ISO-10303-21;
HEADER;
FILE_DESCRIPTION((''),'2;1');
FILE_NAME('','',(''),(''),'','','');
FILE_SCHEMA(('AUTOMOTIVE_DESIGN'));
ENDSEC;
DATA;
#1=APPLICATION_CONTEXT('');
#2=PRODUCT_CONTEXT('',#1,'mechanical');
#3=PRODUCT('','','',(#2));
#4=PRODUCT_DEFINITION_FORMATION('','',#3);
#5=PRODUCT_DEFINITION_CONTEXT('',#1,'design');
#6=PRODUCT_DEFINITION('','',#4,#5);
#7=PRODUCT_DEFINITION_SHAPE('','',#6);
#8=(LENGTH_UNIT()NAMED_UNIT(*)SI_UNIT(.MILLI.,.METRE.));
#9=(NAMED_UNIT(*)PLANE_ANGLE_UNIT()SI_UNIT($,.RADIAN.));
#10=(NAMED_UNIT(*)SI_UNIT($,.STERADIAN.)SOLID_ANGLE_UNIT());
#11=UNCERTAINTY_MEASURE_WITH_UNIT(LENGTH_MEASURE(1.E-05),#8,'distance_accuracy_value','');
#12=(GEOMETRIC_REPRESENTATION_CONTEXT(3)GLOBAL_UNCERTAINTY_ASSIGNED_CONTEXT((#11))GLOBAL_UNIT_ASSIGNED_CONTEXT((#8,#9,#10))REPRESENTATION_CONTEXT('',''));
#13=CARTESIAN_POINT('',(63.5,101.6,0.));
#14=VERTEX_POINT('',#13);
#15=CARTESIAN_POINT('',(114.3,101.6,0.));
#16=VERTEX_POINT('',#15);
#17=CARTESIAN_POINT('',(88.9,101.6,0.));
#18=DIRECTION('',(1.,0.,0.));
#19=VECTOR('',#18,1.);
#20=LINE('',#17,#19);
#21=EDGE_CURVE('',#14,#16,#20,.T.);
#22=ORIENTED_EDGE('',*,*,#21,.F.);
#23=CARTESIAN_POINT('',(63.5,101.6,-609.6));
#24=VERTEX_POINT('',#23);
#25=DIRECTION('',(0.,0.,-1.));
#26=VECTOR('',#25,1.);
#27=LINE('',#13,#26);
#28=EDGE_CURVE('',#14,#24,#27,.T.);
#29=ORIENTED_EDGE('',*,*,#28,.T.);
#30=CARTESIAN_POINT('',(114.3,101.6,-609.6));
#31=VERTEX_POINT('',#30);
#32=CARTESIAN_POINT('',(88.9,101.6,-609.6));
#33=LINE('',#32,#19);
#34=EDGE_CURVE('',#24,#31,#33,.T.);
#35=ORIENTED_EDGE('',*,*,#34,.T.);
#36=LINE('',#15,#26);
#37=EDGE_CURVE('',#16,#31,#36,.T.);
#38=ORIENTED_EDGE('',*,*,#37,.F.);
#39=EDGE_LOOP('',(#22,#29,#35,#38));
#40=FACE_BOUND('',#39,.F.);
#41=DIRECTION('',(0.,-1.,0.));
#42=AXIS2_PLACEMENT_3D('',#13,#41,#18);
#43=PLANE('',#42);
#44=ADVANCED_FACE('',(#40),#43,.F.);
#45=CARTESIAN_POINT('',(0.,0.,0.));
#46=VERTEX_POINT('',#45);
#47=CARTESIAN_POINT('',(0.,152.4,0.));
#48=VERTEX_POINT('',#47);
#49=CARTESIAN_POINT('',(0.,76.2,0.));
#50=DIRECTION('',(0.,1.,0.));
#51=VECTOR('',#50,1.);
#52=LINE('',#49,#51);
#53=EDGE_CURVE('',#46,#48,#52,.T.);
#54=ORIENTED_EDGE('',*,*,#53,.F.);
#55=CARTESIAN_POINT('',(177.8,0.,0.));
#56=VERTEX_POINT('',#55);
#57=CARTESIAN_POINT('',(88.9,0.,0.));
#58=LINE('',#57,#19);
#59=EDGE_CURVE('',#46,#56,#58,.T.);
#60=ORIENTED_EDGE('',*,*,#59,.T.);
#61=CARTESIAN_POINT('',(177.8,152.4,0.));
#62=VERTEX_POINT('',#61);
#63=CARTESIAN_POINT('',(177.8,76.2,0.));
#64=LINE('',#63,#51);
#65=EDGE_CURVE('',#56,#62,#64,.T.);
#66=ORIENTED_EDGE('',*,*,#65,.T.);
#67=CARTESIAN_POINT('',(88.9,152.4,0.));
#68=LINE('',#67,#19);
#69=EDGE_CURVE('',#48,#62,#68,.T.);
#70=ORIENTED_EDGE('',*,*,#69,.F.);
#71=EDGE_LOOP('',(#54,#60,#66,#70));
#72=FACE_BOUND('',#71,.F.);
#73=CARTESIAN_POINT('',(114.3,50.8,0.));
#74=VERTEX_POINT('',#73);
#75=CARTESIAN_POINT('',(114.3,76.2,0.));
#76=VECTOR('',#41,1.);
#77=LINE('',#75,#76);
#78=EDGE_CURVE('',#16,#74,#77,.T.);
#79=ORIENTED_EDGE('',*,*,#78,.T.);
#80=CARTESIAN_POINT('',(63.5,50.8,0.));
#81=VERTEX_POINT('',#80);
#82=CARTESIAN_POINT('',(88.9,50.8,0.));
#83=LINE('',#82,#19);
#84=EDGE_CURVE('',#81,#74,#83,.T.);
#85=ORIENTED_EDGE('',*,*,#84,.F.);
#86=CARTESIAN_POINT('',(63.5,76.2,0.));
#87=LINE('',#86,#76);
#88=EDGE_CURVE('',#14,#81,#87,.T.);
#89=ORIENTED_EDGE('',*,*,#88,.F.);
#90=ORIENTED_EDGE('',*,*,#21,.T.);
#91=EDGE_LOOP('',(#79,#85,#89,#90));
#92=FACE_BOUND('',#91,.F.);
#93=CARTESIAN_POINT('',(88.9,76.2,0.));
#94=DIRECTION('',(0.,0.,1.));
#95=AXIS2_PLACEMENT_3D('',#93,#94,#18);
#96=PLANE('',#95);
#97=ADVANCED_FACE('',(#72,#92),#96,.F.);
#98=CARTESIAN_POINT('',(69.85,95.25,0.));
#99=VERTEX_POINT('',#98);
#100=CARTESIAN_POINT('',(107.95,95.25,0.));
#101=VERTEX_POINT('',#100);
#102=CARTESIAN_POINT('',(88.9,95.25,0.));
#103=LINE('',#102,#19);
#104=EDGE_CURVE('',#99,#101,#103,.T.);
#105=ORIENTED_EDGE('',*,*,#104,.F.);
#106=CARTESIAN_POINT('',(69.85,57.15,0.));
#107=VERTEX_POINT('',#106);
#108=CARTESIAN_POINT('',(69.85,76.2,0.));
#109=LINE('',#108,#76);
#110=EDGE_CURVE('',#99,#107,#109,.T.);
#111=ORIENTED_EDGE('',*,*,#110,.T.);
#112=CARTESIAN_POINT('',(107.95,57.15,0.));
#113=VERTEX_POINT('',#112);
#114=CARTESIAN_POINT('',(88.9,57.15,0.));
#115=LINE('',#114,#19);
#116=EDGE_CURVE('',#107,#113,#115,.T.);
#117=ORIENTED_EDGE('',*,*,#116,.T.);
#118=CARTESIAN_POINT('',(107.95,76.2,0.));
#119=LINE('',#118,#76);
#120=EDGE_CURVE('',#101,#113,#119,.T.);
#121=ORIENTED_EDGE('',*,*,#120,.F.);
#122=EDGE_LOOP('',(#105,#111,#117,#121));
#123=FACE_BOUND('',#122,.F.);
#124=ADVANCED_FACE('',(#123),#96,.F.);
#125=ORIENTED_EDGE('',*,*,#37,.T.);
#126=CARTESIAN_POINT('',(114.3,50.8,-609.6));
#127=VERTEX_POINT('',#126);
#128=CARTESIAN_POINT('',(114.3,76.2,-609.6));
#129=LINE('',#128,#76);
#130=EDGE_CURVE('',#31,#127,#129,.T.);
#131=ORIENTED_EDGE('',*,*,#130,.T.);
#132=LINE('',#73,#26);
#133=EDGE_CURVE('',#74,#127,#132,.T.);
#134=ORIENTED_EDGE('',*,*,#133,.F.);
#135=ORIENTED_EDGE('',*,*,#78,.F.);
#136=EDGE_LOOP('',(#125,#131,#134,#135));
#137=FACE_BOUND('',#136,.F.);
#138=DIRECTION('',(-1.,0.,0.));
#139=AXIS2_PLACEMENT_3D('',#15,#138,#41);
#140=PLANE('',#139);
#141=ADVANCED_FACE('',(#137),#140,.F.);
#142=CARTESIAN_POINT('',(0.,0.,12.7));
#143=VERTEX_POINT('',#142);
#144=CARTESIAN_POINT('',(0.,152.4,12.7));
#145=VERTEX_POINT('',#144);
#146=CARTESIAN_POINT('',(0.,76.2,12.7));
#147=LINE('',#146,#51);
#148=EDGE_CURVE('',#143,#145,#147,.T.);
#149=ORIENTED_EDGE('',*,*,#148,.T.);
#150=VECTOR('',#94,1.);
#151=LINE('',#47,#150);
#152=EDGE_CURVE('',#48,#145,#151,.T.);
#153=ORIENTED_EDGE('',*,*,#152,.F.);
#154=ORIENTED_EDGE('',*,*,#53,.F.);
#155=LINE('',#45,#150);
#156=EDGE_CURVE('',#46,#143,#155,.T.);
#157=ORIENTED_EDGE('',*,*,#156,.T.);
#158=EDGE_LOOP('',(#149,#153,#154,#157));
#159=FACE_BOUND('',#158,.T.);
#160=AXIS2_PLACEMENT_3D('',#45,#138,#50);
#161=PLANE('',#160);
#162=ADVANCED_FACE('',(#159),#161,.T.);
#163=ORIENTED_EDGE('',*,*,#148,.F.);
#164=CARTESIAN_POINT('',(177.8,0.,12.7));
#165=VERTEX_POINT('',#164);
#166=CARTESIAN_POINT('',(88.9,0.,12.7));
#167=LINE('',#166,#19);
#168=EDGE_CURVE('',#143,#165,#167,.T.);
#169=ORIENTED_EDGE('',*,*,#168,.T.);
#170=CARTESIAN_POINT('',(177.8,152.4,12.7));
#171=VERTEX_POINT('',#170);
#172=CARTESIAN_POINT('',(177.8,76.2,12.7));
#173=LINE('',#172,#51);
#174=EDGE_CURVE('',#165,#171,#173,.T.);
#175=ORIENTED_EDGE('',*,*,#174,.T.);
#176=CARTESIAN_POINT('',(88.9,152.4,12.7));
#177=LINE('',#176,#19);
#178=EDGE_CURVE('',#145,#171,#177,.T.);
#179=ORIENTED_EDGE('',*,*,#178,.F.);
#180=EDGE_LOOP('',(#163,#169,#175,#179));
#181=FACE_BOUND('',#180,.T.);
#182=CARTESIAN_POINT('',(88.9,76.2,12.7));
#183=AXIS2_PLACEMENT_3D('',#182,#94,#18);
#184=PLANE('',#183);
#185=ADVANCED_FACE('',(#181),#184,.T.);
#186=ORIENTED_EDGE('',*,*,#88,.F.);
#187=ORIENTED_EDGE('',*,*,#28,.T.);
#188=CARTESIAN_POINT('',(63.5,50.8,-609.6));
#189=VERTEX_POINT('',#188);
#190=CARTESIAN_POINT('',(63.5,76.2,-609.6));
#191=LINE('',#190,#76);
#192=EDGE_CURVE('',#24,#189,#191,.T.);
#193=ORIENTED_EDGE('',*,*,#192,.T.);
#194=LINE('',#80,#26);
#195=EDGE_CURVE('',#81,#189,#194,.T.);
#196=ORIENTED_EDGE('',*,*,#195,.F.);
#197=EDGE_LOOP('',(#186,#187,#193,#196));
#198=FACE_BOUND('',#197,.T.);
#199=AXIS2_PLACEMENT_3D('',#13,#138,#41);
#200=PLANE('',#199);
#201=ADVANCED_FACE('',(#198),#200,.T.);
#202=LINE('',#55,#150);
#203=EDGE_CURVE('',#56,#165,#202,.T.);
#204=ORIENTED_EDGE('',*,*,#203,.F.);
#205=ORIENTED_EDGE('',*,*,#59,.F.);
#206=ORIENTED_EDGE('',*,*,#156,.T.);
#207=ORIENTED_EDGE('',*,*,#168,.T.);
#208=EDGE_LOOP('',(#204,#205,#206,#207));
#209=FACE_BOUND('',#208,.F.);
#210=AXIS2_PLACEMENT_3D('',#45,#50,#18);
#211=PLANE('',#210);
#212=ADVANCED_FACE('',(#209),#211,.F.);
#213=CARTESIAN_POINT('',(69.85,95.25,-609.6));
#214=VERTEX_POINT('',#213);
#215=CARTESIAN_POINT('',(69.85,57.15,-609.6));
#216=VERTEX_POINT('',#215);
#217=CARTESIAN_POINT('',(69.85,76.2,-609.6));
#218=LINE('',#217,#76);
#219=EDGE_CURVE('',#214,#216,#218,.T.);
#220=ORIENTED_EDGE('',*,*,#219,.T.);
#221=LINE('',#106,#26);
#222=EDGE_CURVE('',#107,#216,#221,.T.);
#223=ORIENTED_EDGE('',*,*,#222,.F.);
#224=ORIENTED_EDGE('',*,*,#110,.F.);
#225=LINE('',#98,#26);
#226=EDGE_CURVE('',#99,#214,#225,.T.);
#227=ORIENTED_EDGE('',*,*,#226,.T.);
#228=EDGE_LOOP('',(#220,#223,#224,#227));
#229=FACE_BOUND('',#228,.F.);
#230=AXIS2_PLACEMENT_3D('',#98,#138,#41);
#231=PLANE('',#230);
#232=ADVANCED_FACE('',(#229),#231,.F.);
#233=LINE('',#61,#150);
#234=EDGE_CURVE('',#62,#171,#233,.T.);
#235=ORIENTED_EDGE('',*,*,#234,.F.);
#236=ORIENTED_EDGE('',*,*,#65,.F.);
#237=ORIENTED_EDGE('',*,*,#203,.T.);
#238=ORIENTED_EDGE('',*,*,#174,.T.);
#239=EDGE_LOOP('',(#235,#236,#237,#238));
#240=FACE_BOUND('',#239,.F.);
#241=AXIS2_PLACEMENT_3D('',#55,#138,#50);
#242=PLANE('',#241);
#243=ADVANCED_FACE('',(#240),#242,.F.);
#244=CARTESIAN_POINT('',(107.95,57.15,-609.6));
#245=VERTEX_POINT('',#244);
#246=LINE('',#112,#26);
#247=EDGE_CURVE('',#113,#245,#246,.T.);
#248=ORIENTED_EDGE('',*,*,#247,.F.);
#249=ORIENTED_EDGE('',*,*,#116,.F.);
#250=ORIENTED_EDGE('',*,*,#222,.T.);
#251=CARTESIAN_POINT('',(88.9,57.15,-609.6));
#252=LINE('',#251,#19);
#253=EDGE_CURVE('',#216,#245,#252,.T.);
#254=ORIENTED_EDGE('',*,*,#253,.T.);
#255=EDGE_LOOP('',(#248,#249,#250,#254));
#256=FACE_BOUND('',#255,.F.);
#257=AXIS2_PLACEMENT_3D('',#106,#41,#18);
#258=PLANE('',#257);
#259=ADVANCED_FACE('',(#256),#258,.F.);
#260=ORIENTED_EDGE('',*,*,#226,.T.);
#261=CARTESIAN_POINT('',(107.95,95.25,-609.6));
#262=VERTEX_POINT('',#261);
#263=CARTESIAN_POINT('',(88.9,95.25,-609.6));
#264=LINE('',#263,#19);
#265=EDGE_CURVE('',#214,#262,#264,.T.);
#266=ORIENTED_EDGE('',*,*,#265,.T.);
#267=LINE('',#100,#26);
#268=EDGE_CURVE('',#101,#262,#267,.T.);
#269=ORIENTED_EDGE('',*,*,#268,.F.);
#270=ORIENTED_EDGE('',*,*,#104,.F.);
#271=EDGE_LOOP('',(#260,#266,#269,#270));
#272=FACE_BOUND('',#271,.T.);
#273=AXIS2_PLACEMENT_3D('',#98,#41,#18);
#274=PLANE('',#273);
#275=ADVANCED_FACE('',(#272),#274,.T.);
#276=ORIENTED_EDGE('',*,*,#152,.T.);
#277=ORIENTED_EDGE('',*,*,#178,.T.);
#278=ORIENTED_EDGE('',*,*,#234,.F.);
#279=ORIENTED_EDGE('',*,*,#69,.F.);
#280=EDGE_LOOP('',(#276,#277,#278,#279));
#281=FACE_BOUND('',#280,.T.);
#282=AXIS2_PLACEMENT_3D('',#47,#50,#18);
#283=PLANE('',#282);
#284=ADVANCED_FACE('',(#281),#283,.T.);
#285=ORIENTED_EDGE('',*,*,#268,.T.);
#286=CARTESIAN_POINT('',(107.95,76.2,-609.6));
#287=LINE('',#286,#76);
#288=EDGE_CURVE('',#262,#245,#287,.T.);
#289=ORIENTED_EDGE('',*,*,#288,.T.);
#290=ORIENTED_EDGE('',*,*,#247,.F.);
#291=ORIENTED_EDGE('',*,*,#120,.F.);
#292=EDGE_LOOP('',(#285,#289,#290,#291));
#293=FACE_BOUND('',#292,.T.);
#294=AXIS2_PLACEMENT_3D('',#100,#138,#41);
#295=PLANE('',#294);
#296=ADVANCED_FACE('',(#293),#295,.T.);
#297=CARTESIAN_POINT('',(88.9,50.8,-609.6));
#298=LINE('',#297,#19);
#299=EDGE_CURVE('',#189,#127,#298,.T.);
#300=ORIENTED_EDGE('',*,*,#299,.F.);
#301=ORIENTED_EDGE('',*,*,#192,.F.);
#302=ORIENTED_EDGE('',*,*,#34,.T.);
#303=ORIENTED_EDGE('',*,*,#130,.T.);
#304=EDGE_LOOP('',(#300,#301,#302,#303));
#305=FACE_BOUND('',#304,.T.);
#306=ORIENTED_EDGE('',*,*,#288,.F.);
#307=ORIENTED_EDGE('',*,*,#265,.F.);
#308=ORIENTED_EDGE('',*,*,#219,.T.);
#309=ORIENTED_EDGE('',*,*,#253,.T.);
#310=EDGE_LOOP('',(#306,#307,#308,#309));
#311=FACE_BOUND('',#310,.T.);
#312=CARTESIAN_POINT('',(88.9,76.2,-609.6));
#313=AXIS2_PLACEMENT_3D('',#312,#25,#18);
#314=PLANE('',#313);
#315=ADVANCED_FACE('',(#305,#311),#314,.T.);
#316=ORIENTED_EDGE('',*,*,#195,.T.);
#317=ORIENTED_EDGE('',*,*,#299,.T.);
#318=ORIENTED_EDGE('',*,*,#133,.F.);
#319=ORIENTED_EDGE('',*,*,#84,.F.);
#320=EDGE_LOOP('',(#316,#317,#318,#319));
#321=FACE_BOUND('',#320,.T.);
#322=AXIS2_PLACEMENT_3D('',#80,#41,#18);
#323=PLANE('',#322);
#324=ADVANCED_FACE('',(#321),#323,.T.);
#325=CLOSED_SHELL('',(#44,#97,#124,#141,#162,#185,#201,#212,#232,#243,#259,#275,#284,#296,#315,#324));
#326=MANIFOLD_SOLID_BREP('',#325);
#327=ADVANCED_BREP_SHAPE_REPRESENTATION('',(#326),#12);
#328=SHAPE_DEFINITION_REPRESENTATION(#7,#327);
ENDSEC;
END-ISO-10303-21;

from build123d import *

# Parameters (mm, degrees)
F0_W     = 177.8
F0_H     = 152.4
F1_DEPTH = 12.7
F2_W     = 50.8
F2_H     = 50.8
F2_W_2   = 38.1
F2_H_2   = 38.1
F3_DEPTH = 609.6


with BuildPart() as f1:
    # F0 (on Top) → F1 (new body)
    with BuildSketch(Plane.XY):
        with Locations((88.9, 76.2)):
            Rectangle(F0_W, F0_H)
    extrude(amount=F1_DEPTH)

    # F2 (on face) → F3 (join)
    with BuildSketch(Plane(origin=(0, 0, 0), x_dir=(1, 0, 0), z_dir=(0, 0, -1))):
        with Locations((88.9, -76.2)):
            Rectangle(F2_W, F2_H)
        with Locations((88.9, -76.2)):
            Rectangle(F2_W_2, F2_H_2, mode=Mode.SUBTRACT)
    extrude(amount=F3_DEPTH)


solid = f1.part
